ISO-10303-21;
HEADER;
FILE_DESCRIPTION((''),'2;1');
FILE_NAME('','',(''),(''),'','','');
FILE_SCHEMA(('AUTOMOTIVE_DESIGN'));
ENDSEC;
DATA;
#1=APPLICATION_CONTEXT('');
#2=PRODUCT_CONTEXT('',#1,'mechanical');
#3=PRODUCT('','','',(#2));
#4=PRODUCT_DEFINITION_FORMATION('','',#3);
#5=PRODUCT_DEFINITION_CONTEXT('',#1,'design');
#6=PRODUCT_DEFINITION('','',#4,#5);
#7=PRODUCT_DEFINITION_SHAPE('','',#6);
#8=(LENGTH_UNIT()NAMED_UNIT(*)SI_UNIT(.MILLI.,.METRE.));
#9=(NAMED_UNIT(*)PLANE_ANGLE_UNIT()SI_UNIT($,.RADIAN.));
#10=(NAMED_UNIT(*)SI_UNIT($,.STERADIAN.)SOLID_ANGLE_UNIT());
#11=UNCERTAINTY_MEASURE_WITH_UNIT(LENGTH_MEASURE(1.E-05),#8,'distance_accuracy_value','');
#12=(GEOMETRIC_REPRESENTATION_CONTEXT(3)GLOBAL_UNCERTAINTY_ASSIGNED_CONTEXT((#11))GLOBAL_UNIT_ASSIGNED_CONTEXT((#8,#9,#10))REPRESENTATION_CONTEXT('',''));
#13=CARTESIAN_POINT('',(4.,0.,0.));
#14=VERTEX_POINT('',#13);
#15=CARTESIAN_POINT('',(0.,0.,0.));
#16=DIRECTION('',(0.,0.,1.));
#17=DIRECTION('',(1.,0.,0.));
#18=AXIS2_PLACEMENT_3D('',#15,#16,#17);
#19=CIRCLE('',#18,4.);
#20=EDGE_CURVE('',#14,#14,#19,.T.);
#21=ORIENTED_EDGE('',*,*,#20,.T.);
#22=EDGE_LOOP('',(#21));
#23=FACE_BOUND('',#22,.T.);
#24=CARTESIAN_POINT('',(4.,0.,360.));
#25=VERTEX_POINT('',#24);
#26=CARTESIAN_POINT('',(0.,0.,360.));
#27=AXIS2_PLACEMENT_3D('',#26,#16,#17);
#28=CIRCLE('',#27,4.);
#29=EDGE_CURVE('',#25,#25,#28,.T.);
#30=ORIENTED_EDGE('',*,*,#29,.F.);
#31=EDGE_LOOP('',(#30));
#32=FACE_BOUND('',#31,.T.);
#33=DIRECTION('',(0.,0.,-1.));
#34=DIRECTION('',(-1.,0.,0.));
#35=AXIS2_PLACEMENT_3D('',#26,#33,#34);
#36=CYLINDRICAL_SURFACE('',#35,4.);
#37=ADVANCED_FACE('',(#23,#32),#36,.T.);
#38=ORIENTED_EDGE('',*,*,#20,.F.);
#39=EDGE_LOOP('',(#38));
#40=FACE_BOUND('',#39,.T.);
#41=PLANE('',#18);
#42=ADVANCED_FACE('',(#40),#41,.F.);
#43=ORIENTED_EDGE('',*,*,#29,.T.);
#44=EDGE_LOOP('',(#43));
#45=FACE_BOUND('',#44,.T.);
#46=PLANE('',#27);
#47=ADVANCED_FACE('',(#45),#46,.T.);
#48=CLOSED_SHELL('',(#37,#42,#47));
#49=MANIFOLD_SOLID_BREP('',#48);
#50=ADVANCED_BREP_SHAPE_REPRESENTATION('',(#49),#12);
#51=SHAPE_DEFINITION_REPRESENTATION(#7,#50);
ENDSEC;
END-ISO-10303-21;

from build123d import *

# Parameters (mm, degrees)
ESQUISSE1_R        = 4
BOSS_EXTRU_1_DEPTH = 360


with BuildPart() as part:
    # Esquisse1 → Boss.-Extru.1 (new body)
    with BuildSketch(Plane.XY):
        Circle(ESQUISSE1_R)
    extrude(amount=BOSS_EXTRU_1_DEPTH)


solid = part.part
